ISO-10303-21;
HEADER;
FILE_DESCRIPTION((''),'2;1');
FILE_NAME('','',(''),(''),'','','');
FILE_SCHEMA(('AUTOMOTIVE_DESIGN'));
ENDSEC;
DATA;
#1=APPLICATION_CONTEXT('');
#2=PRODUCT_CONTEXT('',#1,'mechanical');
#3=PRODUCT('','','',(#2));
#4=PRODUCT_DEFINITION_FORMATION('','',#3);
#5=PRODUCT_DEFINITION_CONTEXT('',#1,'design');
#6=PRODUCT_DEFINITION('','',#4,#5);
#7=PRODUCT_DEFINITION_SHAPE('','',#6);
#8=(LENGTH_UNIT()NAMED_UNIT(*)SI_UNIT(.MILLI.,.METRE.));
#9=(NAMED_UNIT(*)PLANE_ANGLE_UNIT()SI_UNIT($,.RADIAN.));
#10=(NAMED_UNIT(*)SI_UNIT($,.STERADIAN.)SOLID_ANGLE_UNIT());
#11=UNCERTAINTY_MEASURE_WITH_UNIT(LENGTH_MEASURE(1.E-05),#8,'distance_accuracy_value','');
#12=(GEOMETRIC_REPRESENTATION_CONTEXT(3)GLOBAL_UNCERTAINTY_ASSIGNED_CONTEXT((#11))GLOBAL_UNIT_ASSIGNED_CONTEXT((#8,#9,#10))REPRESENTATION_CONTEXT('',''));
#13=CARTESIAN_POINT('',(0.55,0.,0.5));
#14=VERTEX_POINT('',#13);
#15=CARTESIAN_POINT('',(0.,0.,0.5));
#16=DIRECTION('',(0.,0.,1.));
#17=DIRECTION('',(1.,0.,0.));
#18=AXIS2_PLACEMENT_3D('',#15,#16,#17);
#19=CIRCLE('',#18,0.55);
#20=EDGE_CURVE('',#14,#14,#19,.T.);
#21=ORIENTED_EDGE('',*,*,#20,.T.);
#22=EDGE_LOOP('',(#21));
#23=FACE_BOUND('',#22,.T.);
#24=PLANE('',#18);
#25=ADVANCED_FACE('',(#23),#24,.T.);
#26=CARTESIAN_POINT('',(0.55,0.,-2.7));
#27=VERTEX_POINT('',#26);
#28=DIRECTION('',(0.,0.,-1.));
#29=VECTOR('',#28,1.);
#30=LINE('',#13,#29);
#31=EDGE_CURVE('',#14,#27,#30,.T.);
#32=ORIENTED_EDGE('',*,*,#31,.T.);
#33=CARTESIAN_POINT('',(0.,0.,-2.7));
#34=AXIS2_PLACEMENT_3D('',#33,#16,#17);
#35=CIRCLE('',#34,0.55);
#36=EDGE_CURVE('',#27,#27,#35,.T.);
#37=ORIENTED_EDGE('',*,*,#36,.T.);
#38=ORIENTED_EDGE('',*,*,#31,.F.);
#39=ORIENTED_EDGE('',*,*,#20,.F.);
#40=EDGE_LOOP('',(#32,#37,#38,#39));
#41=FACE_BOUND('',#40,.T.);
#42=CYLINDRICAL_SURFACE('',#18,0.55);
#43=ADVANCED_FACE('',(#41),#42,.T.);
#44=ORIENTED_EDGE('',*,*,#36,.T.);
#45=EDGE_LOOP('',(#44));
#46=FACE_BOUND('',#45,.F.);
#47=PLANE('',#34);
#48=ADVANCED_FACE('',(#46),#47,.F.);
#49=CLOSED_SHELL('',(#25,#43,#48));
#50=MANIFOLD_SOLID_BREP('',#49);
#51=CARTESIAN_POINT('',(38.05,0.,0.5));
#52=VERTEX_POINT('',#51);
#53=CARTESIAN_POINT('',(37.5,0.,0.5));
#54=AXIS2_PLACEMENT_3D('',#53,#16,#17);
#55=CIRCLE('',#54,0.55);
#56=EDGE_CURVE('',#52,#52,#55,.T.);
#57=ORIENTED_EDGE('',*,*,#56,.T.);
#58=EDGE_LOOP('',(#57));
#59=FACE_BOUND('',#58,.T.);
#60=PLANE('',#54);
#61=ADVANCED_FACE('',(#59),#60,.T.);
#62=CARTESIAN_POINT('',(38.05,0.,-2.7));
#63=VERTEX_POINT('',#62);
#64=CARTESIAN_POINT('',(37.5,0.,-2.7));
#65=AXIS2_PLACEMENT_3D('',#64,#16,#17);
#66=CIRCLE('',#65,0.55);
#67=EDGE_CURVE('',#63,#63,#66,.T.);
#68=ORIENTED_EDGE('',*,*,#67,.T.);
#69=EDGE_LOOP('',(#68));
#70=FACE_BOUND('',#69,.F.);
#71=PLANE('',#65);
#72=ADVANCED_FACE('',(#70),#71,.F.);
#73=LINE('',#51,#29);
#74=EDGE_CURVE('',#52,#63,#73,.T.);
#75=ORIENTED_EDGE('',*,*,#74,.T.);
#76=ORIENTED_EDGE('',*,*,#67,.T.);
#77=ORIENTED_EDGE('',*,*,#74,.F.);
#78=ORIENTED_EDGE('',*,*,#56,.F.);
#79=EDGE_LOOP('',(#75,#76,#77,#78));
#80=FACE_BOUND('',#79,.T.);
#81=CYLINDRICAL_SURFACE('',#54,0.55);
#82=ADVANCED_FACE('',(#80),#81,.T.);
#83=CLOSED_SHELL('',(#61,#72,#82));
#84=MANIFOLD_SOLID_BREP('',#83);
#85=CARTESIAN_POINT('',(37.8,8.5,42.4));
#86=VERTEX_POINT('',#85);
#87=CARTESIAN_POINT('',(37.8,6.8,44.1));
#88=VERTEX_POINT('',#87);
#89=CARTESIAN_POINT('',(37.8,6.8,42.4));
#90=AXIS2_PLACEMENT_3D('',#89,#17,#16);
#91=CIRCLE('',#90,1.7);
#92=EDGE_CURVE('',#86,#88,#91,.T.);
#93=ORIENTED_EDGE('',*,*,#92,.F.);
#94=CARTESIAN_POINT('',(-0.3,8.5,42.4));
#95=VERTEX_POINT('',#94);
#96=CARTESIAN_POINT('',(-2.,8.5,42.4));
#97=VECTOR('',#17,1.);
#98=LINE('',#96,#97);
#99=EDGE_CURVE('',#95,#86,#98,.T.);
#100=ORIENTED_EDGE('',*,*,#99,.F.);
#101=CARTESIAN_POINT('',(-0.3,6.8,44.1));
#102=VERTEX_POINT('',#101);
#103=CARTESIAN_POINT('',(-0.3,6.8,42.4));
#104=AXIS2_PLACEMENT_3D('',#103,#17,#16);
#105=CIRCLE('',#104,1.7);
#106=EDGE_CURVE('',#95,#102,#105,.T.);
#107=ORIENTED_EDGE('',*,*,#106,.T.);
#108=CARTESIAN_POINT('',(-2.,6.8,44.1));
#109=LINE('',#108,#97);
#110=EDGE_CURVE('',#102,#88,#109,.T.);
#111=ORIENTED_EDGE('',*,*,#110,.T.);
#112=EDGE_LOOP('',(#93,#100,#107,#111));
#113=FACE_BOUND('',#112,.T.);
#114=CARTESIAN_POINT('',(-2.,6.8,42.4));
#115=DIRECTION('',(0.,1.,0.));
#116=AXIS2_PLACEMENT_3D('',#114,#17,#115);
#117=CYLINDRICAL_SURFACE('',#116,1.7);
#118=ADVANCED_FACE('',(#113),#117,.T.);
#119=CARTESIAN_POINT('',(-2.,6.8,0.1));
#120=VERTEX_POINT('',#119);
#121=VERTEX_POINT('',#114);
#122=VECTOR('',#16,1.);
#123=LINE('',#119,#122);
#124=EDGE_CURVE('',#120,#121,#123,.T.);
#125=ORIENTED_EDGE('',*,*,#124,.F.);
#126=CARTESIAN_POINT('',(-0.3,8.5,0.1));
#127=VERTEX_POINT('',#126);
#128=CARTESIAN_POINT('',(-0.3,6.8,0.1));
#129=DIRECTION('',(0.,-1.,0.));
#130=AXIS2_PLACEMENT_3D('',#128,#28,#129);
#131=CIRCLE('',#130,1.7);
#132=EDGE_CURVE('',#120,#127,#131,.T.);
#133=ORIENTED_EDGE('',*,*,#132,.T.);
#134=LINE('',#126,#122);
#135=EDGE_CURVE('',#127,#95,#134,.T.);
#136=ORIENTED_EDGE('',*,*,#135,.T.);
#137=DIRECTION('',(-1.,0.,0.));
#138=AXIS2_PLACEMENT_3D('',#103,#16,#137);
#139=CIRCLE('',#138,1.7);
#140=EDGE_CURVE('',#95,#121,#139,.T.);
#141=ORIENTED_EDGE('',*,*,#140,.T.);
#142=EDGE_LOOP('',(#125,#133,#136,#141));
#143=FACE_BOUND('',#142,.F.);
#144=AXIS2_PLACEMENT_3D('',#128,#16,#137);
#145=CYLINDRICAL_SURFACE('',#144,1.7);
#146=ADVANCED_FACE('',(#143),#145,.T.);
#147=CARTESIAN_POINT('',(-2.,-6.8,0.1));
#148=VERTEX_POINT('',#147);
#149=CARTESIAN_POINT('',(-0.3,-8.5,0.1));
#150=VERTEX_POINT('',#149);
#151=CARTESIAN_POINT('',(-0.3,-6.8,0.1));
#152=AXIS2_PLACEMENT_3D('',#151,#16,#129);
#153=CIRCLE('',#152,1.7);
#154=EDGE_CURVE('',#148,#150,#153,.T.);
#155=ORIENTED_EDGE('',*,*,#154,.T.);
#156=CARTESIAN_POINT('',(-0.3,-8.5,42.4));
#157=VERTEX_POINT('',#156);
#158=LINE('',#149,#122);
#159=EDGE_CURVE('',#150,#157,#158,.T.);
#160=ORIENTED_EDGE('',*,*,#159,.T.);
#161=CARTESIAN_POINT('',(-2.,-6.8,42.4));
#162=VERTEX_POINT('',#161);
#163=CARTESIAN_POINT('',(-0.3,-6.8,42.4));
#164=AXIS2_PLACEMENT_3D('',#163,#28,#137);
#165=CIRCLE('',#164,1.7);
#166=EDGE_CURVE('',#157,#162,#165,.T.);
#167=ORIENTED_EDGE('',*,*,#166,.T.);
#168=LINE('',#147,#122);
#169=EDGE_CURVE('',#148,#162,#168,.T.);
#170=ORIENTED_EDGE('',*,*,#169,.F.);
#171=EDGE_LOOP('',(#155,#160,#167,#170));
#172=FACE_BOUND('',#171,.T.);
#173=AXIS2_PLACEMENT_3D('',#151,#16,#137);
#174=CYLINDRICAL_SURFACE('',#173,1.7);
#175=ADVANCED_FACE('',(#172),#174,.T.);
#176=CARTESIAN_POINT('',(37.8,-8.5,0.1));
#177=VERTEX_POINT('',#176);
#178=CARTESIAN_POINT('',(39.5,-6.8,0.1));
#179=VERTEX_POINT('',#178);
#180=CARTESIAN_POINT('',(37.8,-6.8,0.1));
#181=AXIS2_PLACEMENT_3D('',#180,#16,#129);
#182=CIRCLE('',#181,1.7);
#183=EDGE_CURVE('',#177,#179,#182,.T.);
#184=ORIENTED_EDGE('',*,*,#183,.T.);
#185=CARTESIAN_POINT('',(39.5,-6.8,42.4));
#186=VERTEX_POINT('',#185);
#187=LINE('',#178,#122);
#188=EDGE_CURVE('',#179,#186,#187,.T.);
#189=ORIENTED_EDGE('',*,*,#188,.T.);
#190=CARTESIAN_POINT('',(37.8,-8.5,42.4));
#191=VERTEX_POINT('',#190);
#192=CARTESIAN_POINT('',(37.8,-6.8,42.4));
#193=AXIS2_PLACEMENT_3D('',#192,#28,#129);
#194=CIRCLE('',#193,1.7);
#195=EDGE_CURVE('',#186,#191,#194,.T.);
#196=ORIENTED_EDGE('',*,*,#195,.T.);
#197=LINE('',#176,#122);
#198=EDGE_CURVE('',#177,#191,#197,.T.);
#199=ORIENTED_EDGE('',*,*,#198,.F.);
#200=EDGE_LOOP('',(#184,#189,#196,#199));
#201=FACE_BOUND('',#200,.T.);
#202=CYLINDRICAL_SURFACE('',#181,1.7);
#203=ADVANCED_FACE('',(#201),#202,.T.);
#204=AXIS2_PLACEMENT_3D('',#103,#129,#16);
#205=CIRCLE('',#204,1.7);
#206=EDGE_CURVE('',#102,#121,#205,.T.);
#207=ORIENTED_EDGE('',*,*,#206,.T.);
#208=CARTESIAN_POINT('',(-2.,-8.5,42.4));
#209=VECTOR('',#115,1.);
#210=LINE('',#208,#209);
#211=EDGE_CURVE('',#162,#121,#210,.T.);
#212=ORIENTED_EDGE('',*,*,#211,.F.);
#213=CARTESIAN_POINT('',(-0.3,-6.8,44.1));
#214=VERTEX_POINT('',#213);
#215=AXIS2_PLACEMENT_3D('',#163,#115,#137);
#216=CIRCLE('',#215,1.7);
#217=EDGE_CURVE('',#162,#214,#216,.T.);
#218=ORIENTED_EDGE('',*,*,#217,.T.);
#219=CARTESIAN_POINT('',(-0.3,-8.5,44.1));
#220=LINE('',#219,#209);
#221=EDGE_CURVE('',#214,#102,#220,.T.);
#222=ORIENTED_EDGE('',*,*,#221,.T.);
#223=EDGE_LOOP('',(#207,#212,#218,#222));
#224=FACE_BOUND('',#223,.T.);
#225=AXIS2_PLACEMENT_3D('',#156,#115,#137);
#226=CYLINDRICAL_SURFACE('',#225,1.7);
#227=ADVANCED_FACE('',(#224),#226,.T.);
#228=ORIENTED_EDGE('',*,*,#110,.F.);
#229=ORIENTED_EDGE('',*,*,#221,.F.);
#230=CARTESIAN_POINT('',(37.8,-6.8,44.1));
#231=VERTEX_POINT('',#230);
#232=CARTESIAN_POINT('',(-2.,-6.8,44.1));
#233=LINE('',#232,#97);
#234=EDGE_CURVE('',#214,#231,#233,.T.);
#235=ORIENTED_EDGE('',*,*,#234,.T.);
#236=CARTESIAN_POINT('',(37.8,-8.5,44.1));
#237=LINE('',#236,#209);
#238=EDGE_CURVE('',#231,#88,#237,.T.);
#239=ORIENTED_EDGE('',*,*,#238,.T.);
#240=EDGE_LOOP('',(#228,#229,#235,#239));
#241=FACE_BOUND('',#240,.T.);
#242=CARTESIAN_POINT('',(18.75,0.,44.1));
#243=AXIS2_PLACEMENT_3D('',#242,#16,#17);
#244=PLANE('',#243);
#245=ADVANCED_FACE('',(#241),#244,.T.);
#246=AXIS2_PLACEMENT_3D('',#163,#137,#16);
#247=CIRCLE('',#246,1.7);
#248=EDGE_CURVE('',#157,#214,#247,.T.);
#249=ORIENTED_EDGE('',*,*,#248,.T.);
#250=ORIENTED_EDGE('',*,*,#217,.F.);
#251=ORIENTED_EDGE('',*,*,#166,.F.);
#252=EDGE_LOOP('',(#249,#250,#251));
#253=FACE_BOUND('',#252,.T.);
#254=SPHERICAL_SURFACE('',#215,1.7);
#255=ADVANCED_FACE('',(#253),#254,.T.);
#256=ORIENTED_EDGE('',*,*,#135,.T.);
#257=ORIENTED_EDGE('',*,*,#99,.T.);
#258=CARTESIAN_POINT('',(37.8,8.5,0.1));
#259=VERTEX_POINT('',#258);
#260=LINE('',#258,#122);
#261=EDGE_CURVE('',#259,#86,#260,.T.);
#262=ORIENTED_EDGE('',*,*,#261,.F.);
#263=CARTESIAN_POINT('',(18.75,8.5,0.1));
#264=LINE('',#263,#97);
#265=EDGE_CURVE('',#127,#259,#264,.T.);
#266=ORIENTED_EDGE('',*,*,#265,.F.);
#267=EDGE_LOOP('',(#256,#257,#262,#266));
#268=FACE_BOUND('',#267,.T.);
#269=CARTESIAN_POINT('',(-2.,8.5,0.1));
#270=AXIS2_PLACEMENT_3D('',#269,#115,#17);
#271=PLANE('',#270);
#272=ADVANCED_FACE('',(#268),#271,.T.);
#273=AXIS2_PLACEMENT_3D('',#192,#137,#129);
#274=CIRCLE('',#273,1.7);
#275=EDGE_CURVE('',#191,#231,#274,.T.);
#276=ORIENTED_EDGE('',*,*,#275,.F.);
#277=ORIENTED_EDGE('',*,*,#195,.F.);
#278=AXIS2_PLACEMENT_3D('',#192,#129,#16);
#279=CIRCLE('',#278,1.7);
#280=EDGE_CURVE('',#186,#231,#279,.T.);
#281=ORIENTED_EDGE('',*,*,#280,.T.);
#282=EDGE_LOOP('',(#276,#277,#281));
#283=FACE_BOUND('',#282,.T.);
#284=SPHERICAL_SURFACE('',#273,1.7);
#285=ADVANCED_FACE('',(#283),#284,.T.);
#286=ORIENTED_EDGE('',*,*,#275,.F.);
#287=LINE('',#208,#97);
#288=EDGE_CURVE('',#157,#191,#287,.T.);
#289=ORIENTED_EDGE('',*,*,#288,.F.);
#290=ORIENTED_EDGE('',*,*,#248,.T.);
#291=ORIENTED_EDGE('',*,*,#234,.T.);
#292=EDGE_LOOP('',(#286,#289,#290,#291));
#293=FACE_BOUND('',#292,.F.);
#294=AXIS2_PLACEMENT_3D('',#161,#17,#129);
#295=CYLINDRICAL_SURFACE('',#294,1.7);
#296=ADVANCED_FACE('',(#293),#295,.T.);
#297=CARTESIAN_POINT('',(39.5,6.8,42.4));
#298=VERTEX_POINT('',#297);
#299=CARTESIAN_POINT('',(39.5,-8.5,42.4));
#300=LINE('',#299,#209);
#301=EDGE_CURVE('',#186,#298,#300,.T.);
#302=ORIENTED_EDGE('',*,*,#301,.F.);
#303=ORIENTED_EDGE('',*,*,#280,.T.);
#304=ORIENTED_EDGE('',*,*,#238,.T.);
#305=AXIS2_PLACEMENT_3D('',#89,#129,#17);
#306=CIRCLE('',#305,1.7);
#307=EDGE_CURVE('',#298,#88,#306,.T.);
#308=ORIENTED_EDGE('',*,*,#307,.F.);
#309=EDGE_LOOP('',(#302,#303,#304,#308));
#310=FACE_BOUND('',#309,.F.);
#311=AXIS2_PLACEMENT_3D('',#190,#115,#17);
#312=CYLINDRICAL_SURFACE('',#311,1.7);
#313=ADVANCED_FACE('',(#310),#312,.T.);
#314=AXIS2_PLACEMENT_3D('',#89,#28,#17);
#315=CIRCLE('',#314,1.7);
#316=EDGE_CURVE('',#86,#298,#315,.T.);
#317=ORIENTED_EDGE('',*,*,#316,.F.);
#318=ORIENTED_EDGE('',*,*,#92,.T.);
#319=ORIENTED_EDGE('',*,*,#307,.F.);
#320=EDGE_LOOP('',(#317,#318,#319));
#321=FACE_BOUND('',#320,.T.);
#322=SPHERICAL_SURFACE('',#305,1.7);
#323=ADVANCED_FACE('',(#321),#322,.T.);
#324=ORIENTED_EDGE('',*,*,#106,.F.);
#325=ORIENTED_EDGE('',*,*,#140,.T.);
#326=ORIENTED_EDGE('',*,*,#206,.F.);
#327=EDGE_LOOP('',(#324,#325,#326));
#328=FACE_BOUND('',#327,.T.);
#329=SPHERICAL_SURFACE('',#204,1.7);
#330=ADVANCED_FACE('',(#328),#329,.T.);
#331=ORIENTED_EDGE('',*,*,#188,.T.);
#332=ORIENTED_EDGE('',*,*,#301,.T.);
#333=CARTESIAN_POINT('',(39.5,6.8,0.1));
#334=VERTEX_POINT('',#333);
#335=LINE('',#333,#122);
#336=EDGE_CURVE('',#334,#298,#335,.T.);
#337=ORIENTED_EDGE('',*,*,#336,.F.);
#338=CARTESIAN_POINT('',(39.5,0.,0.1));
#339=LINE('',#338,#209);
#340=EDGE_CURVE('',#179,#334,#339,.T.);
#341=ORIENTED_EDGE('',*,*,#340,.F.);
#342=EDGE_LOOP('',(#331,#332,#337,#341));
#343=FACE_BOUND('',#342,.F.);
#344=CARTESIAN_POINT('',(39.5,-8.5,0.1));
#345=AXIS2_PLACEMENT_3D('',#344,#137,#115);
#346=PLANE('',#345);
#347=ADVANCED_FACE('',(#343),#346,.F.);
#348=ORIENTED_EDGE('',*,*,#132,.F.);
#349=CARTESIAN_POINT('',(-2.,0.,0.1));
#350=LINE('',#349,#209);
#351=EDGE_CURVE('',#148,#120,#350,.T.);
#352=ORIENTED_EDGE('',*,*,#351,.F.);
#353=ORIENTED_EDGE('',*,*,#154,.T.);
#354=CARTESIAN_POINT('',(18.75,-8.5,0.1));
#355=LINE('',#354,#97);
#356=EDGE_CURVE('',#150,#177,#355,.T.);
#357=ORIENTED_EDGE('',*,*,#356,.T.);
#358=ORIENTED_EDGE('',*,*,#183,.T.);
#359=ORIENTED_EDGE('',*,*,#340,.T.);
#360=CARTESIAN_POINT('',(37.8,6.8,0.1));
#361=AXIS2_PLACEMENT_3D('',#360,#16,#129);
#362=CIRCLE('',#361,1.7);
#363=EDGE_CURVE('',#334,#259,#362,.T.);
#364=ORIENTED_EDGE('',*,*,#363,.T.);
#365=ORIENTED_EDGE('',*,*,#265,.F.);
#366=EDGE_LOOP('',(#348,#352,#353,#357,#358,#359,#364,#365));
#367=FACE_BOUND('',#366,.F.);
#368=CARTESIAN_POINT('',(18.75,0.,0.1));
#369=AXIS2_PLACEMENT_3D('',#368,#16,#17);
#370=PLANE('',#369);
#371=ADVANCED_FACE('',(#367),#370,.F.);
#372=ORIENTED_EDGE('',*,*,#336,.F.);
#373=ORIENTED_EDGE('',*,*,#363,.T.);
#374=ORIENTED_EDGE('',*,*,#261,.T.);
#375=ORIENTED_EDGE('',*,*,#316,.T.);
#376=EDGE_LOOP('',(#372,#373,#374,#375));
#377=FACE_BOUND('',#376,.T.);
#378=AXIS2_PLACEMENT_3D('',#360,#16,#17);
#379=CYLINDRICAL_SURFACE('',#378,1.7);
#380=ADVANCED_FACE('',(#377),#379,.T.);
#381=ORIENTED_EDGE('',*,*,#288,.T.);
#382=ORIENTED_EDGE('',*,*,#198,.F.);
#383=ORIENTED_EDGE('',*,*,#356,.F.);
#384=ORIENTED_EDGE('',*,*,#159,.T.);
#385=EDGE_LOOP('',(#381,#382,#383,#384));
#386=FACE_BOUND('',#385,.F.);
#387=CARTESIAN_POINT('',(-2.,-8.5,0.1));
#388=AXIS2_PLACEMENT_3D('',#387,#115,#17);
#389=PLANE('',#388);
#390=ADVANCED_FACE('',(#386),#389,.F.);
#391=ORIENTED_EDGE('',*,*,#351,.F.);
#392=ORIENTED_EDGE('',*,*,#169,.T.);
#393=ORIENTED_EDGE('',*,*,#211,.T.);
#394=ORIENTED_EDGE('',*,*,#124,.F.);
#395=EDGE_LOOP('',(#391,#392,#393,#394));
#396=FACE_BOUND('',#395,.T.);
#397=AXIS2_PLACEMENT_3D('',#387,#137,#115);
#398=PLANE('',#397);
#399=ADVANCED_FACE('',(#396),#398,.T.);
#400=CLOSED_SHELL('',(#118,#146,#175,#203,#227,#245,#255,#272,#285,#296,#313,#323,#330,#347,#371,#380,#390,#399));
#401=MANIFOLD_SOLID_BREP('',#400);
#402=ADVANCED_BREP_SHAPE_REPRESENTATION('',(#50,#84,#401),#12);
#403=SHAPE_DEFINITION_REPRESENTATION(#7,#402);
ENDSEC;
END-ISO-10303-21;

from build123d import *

# Parameters (mm, degrees)
SKETCH_W     = 41.5
SKETCH_H     = 17
PAD_DEPTH    = 44
FILLET_R     = 1.7
SKETCH001_R  = 0.55
PAD001_DEPTH = 3.2


with BuildPart() as fillet_body:
    # Sketch → Pad (new body)
    with BuildSketch(Plane.XY.offset(0.1)):
        with Locations((18.75, 0)):
            Rectangle(SKETCH_W, SKETCH_H)
    extrude(amount=PAD_DEPTH)

    # Fillet
    fillet_edges = [fillet_body.edges().sort_by_distance(p)[0] for p in [
        (-2, 0, 44.1),
        (-2, -8.5, 22.1),
        (18.75, -8.5, 44.1),
        (39.5, -8.5, 22.1),
        (39.5, 0, 44.1),
        (39.5, 8.5, 22.1),
        (18.75, 8.5, 44.1),
        (-2, 8.5, 22.1),
    ]]
    fillet(fillet_edges, radius=FILLET_R)


with BuildPart() as pad001:
    # Sketch001 → Pad001 (new body)
    with BuildSketch(Plane.XY.offset(0.5)):
        Circle(SKETCH001_R)
        with Locations((37.5, 0)):
            Circle(SKETCH001_R)
    extrude(amount=-PAD001_DEPTH)


solid = Compound([fillet_body.part, pad001.part])
